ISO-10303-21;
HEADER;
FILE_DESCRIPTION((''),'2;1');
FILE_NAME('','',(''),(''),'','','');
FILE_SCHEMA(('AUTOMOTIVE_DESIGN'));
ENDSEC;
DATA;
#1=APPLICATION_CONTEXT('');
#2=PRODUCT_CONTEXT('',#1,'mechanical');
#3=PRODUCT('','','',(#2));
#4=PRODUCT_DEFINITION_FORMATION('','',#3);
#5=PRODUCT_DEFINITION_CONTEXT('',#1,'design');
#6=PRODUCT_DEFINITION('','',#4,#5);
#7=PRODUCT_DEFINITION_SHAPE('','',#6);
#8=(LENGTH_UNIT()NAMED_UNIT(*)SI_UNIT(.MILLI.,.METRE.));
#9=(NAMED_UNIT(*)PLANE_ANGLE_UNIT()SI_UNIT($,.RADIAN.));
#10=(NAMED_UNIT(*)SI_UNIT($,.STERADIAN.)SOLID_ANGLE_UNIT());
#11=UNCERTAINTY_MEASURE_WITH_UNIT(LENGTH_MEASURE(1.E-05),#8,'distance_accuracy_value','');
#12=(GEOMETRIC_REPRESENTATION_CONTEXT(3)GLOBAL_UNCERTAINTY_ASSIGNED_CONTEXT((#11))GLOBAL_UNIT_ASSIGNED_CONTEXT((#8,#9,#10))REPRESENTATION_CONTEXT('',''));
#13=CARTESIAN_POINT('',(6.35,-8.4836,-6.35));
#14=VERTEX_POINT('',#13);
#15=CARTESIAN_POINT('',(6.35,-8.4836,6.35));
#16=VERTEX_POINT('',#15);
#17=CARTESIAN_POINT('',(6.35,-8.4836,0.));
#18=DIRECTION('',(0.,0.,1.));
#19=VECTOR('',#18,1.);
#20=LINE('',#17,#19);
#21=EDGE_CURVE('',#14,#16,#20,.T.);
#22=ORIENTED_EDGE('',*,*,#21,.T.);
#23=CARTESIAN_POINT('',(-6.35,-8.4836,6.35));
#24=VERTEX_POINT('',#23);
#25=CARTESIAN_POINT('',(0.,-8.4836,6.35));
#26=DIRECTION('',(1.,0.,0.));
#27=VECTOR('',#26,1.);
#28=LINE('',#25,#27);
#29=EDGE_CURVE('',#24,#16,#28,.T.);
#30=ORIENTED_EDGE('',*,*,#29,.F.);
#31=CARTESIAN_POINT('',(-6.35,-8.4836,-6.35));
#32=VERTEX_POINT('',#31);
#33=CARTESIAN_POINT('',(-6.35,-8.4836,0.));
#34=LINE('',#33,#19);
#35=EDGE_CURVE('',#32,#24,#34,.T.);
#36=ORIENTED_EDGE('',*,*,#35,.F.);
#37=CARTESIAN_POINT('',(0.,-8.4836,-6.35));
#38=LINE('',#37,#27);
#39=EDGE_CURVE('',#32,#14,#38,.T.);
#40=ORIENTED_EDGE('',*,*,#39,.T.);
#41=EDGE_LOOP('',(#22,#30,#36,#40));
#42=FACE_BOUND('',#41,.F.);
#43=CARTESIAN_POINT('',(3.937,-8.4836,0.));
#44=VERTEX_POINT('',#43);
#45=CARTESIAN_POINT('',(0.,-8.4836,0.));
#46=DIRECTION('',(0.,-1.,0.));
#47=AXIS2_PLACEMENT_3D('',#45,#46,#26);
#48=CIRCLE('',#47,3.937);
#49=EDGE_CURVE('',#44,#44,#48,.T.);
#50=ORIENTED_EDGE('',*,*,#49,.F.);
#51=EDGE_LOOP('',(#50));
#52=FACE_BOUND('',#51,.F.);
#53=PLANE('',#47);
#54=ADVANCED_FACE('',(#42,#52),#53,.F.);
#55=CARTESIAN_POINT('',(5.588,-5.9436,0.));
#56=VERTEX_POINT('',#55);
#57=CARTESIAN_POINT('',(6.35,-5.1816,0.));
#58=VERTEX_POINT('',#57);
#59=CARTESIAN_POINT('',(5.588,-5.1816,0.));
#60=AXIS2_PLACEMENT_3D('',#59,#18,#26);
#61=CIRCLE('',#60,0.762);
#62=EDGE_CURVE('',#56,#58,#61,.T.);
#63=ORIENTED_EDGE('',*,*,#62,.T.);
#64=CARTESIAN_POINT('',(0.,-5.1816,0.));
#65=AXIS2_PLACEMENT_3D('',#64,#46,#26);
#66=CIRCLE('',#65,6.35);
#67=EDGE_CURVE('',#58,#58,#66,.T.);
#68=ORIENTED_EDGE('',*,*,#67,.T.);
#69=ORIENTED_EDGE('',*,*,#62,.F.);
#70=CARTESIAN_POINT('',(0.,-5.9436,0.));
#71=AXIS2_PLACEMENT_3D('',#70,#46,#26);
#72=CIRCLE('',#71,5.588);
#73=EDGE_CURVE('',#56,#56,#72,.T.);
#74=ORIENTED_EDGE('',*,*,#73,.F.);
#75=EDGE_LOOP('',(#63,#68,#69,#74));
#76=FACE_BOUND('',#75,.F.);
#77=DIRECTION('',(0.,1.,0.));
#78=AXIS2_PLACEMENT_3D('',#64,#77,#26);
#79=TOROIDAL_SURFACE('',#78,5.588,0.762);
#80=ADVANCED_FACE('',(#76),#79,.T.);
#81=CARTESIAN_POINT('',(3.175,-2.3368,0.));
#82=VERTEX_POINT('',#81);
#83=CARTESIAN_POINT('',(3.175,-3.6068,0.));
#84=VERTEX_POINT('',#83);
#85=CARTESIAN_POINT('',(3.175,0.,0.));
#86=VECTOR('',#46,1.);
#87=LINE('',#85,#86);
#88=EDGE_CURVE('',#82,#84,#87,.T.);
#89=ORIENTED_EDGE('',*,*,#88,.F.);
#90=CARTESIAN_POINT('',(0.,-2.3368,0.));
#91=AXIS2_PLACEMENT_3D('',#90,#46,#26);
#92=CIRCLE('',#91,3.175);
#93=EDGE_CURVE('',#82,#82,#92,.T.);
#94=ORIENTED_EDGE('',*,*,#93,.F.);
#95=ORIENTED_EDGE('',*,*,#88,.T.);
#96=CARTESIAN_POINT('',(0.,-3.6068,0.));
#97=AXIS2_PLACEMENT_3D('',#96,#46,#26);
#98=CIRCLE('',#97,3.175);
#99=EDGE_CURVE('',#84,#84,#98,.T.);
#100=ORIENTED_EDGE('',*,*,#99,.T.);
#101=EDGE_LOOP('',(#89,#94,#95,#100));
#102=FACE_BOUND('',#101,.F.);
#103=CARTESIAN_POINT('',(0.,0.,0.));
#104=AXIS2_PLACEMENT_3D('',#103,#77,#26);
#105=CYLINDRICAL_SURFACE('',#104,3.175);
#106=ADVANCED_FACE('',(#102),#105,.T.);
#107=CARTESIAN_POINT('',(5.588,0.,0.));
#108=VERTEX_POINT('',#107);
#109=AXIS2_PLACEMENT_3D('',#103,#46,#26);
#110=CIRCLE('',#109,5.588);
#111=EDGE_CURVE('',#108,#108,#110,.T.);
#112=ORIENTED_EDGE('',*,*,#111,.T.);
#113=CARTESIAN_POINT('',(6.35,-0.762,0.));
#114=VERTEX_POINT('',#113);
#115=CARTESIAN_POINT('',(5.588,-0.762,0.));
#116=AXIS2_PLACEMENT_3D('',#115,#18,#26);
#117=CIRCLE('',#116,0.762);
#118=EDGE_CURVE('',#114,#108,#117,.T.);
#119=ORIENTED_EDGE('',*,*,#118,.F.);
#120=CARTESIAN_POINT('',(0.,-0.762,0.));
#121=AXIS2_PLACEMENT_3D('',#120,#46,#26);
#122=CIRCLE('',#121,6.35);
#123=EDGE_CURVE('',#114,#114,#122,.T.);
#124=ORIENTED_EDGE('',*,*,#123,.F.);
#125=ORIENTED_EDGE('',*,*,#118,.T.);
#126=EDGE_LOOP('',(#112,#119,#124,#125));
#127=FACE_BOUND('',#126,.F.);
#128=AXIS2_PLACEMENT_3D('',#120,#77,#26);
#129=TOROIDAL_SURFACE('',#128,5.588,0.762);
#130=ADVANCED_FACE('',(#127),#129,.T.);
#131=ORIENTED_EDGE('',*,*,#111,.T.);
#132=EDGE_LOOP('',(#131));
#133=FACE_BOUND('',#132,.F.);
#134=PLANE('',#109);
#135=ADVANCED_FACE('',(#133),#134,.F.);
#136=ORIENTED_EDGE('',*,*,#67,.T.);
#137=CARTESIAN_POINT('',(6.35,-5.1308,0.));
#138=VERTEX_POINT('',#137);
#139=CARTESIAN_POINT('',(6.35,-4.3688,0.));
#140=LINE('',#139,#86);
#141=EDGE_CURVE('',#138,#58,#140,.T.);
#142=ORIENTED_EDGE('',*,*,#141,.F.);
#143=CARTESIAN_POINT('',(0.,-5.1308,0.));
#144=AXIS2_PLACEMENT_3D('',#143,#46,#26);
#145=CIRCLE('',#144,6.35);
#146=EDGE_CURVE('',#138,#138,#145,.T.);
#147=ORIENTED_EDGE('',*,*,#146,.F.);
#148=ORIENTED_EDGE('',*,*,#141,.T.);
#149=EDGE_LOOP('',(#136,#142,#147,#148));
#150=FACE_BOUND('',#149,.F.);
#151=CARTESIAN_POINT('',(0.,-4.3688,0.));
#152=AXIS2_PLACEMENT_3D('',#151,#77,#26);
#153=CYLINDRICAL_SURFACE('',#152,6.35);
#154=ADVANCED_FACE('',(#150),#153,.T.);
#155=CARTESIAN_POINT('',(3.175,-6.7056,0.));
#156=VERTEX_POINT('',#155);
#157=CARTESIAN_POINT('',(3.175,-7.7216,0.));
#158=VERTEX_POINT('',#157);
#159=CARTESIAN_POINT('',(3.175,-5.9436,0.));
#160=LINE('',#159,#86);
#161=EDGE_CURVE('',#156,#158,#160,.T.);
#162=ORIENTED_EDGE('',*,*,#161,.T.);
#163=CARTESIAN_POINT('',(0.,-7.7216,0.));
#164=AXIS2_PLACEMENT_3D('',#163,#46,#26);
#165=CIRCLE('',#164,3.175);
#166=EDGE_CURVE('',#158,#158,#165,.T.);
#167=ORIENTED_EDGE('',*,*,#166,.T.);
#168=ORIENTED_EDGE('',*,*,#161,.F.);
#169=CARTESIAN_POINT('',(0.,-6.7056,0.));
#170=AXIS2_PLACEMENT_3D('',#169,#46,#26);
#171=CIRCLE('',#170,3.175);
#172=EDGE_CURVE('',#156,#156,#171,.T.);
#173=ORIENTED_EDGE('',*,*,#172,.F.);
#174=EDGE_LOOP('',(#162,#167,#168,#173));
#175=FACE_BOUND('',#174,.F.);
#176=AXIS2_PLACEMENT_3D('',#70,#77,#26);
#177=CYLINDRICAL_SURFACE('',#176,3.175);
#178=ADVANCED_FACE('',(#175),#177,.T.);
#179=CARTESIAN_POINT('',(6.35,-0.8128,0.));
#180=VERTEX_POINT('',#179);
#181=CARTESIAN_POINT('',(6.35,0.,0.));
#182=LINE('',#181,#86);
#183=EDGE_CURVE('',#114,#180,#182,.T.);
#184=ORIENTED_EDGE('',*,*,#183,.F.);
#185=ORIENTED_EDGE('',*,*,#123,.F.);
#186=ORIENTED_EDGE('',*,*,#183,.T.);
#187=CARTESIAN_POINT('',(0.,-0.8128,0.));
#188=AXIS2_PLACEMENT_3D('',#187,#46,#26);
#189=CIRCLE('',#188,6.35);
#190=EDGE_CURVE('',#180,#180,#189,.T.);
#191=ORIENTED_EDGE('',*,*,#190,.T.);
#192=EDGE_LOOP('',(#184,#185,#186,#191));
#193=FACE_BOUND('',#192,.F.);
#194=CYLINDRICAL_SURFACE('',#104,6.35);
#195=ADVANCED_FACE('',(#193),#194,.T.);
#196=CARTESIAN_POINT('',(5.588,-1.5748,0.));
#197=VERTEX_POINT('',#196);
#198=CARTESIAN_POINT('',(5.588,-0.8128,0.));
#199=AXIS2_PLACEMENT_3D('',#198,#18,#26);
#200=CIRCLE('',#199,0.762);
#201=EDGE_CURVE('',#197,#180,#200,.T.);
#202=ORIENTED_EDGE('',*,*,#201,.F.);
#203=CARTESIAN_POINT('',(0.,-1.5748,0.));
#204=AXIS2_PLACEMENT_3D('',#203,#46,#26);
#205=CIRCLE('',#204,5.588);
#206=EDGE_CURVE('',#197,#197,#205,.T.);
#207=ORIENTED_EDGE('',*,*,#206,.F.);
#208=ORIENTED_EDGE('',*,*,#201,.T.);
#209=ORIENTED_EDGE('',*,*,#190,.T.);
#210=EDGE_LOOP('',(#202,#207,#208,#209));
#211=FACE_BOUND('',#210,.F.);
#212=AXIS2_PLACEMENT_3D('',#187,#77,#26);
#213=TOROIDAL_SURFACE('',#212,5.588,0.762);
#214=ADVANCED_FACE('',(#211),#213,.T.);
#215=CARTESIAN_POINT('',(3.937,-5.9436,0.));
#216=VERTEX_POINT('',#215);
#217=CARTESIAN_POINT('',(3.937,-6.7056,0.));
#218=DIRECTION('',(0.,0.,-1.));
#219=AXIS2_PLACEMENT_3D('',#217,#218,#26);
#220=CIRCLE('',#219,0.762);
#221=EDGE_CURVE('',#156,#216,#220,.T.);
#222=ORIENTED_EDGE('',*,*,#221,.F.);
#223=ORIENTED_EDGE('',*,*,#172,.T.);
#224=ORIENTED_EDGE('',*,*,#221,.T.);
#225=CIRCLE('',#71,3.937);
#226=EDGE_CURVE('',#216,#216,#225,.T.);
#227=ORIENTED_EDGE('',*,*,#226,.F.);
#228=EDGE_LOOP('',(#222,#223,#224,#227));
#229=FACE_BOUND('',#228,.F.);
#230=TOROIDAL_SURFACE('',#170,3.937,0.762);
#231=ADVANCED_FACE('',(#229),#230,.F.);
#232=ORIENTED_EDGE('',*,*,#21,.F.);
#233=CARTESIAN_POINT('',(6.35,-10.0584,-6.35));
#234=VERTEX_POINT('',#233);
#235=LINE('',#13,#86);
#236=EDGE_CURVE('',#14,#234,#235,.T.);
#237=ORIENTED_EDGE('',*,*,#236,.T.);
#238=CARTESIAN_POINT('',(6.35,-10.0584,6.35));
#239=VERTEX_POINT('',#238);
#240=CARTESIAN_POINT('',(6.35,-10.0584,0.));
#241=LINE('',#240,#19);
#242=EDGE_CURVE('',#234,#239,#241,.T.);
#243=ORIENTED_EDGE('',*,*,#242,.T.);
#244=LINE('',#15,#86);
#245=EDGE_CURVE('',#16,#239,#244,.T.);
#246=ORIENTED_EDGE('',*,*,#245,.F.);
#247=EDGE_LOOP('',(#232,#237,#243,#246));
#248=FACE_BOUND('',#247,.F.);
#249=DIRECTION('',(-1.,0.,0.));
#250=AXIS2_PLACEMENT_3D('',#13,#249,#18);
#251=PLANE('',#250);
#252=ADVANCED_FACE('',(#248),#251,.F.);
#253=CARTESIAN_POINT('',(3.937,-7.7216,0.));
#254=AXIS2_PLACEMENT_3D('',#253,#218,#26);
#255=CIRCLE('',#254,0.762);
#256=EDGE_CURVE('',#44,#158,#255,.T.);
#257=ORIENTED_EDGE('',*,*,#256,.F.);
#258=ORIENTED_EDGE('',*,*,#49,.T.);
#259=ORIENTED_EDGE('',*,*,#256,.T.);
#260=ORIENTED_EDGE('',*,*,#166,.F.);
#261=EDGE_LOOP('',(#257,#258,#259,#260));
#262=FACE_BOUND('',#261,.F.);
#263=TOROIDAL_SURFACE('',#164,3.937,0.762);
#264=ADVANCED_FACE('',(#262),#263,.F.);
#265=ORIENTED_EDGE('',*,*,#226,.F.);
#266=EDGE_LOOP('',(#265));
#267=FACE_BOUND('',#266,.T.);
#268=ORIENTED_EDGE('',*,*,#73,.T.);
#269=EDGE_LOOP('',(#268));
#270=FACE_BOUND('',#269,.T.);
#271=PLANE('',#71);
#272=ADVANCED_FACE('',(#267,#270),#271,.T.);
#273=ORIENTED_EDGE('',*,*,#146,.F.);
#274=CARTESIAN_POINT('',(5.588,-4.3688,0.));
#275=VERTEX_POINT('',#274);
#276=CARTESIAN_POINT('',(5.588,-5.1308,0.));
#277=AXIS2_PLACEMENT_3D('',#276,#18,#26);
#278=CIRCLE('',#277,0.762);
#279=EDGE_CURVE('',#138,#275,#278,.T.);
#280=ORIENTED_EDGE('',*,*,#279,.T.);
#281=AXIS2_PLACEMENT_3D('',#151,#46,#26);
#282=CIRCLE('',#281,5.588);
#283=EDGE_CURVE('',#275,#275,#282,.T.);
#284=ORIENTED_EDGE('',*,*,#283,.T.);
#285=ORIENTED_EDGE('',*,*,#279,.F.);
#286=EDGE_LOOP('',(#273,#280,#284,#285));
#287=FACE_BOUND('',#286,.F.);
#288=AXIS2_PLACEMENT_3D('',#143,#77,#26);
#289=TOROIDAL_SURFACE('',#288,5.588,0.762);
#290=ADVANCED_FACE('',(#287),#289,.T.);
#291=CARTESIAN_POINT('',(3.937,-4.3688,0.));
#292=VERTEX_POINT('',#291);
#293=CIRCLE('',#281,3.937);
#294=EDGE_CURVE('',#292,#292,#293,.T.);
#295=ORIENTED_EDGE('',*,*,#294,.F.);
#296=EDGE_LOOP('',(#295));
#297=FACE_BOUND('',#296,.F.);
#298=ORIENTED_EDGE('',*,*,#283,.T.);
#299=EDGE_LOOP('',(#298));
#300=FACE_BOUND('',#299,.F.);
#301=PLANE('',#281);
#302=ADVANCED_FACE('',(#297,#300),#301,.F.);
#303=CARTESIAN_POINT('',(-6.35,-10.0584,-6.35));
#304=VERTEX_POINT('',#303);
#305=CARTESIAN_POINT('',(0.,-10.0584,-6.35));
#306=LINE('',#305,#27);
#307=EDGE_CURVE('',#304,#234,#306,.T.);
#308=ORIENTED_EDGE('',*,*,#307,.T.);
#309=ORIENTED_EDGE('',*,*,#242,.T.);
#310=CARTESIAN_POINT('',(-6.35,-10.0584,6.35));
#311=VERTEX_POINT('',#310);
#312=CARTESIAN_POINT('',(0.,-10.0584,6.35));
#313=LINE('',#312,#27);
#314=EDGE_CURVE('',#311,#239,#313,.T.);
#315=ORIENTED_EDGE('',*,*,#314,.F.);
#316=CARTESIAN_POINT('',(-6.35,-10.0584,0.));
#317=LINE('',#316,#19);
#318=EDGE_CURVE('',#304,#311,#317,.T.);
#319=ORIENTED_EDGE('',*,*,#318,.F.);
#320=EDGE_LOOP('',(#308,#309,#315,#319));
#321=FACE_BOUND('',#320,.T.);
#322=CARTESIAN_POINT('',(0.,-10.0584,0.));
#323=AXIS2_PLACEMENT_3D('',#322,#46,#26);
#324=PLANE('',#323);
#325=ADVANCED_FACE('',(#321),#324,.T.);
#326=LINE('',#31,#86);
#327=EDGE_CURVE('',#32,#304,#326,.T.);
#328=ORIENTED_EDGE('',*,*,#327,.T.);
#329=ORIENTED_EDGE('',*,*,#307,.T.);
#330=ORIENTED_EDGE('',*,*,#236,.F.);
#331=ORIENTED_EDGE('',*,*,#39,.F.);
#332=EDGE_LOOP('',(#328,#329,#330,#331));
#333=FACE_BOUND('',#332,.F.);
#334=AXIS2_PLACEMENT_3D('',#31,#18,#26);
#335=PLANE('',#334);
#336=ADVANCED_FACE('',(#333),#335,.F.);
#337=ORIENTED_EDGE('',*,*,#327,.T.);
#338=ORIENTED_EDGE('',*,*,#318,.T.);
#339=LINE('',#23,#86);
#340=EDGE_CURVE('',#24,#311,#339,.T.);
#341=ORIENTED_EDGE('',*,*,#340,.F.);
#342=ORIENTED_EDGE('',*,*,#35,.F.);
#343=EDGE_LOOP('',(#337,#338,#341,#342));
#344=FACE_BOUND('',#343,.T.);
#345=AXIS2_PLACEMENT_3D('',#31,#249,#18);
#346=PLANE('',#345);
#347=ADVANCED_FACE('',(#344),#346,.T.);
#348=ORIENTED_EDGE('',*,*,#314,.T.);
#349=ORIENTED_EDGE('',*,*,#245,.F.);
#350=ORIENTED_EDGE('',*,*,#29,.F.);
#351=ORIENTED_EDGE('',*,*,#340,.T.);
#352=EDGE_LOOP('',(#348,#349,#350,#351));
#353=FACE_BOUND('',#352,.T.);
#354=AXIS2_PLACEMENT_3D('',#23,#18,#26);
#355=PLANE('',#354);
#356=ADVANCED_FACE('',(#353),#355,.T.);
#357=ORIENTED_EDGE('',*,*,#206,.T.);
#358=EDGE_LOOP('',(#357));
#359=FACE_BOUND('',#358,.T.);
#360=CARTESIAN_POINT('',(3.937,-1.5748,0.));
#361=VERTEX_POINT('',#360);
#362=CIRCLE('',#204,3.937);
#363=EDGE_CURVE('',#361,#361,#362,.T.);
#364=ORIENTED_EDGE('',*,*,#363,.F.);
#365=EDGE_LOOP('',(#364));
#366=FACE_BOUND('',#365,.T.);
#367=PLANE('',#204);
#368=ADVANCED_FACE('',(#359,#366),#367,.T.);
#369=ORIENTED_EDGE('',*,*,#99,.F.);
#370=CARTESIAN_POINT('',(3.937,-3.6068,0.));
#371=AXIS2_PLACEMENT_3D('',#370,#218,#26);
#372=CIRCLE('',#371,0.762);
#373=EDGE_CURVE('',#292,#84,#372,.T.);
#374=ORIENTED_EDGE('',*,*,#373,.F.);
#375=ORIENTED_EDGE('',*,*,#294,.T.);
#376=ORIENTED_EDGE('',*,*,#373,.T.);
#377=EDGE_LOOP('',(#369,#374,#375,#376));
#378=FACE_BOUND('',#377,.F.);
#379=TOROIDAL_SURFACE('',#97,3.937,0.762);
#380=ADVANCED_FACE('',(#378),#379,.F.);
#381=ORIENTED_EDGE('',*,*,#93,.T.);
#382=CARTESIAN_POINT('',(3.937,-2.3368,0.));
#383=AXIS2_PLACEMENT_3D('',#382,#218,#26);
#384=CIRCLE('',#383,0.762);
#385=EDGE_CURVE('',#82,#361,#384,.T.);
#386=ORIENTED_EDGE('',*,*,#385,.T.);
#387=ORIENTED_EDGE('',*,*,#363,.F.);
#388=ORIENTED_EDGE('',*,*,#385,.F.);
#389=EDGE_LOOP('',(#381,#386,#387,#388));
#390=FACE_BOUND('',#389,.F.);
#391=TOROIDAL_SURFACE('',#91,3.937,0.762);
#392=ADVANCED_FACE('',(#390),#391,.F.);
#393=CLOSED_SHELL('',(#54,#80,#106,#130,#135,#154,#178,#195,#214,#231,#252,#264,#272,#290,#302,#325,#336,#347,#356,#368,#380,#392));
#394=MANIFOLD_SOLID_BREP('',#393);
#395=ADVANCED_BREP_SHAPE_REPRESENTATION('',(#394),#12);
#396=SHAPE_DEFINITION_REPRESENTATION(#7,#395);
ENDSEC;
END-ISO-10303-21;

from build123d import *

# Parameters (mm, degrees)
F0_R     = 6.35
F0_R_2   = 3.175
F1_DEPTH = 1.5748
F2_DEPTH = 4.3688
F3_R     = 6.35
F3_R_2   = 3.175
F4_DEPTH = 1.5748
F5_R     = 3.175
F6_DEPTH = 2.54
F7_W     = 12.7
F7_H     = 12.7
F7_R     = 3.175
F8_DEPTH = 1.5748
F9_R     = 0.762


with BuildPart() as f1:
    # F0 (on Front) → F1 (new body)
    with BuildSketch(Plane.XZ):
        Circle(F0_R)
        Circle(F0_R_2, mode=Mode.SUBTRACT)
    extrude(amount=F1_DEPTH)

    # F0 (on Front) → F2 (join)
    with BuildSketch(Plane.XZ):
        Circle(F0_R_2)
    extrude(amount=F2_DEPTH)

    # F3 (on face) → F4 (join)
    with BuildSketch(Plane.XZ.offset(4.3688)):
        Circle(F3_R)
        Circle(F3_R_2, mode=Mode.SUBTRACT)
        Circle(F3_R_2)
    extrude(amount=F4_DEPTH)

    # F5 (on face) → F6 (join)
    with BuildSketch(Plane.XZ.offset(5.9436)):
        Circle(F5_R)
    extrude(amount=F6_DEPTH)

    # F7 (on face) → F8 (join)
    with BuildSketch(Plane.XZ.offset(8.4836)):
        Rectangle(F7_W, F7_H)
        Circle(F7_R, mode=Mode.SUBTRACT)
        Circle(F7_R)
    extrude(amount=F8_DEPTH)

    # F9
    f9_edges = [f1.edges().sort_by_distance(p)[0] for p in [
        (-6.35, -5.9436, 0),
        (-6.35, -4.3688, 0),
        (-6.35, -1.5748, 0),
        (-6.35, 0, 0),
        (-3.175, -1.5748, 0),
        (-3.175, -4.3688, 0),
        (-3.175, -5.9436, 0),
        (-3.175, -8.4836, 0),
    ]]
    fillet(f9_edges, radius=F9_R)


solid = f1.part
